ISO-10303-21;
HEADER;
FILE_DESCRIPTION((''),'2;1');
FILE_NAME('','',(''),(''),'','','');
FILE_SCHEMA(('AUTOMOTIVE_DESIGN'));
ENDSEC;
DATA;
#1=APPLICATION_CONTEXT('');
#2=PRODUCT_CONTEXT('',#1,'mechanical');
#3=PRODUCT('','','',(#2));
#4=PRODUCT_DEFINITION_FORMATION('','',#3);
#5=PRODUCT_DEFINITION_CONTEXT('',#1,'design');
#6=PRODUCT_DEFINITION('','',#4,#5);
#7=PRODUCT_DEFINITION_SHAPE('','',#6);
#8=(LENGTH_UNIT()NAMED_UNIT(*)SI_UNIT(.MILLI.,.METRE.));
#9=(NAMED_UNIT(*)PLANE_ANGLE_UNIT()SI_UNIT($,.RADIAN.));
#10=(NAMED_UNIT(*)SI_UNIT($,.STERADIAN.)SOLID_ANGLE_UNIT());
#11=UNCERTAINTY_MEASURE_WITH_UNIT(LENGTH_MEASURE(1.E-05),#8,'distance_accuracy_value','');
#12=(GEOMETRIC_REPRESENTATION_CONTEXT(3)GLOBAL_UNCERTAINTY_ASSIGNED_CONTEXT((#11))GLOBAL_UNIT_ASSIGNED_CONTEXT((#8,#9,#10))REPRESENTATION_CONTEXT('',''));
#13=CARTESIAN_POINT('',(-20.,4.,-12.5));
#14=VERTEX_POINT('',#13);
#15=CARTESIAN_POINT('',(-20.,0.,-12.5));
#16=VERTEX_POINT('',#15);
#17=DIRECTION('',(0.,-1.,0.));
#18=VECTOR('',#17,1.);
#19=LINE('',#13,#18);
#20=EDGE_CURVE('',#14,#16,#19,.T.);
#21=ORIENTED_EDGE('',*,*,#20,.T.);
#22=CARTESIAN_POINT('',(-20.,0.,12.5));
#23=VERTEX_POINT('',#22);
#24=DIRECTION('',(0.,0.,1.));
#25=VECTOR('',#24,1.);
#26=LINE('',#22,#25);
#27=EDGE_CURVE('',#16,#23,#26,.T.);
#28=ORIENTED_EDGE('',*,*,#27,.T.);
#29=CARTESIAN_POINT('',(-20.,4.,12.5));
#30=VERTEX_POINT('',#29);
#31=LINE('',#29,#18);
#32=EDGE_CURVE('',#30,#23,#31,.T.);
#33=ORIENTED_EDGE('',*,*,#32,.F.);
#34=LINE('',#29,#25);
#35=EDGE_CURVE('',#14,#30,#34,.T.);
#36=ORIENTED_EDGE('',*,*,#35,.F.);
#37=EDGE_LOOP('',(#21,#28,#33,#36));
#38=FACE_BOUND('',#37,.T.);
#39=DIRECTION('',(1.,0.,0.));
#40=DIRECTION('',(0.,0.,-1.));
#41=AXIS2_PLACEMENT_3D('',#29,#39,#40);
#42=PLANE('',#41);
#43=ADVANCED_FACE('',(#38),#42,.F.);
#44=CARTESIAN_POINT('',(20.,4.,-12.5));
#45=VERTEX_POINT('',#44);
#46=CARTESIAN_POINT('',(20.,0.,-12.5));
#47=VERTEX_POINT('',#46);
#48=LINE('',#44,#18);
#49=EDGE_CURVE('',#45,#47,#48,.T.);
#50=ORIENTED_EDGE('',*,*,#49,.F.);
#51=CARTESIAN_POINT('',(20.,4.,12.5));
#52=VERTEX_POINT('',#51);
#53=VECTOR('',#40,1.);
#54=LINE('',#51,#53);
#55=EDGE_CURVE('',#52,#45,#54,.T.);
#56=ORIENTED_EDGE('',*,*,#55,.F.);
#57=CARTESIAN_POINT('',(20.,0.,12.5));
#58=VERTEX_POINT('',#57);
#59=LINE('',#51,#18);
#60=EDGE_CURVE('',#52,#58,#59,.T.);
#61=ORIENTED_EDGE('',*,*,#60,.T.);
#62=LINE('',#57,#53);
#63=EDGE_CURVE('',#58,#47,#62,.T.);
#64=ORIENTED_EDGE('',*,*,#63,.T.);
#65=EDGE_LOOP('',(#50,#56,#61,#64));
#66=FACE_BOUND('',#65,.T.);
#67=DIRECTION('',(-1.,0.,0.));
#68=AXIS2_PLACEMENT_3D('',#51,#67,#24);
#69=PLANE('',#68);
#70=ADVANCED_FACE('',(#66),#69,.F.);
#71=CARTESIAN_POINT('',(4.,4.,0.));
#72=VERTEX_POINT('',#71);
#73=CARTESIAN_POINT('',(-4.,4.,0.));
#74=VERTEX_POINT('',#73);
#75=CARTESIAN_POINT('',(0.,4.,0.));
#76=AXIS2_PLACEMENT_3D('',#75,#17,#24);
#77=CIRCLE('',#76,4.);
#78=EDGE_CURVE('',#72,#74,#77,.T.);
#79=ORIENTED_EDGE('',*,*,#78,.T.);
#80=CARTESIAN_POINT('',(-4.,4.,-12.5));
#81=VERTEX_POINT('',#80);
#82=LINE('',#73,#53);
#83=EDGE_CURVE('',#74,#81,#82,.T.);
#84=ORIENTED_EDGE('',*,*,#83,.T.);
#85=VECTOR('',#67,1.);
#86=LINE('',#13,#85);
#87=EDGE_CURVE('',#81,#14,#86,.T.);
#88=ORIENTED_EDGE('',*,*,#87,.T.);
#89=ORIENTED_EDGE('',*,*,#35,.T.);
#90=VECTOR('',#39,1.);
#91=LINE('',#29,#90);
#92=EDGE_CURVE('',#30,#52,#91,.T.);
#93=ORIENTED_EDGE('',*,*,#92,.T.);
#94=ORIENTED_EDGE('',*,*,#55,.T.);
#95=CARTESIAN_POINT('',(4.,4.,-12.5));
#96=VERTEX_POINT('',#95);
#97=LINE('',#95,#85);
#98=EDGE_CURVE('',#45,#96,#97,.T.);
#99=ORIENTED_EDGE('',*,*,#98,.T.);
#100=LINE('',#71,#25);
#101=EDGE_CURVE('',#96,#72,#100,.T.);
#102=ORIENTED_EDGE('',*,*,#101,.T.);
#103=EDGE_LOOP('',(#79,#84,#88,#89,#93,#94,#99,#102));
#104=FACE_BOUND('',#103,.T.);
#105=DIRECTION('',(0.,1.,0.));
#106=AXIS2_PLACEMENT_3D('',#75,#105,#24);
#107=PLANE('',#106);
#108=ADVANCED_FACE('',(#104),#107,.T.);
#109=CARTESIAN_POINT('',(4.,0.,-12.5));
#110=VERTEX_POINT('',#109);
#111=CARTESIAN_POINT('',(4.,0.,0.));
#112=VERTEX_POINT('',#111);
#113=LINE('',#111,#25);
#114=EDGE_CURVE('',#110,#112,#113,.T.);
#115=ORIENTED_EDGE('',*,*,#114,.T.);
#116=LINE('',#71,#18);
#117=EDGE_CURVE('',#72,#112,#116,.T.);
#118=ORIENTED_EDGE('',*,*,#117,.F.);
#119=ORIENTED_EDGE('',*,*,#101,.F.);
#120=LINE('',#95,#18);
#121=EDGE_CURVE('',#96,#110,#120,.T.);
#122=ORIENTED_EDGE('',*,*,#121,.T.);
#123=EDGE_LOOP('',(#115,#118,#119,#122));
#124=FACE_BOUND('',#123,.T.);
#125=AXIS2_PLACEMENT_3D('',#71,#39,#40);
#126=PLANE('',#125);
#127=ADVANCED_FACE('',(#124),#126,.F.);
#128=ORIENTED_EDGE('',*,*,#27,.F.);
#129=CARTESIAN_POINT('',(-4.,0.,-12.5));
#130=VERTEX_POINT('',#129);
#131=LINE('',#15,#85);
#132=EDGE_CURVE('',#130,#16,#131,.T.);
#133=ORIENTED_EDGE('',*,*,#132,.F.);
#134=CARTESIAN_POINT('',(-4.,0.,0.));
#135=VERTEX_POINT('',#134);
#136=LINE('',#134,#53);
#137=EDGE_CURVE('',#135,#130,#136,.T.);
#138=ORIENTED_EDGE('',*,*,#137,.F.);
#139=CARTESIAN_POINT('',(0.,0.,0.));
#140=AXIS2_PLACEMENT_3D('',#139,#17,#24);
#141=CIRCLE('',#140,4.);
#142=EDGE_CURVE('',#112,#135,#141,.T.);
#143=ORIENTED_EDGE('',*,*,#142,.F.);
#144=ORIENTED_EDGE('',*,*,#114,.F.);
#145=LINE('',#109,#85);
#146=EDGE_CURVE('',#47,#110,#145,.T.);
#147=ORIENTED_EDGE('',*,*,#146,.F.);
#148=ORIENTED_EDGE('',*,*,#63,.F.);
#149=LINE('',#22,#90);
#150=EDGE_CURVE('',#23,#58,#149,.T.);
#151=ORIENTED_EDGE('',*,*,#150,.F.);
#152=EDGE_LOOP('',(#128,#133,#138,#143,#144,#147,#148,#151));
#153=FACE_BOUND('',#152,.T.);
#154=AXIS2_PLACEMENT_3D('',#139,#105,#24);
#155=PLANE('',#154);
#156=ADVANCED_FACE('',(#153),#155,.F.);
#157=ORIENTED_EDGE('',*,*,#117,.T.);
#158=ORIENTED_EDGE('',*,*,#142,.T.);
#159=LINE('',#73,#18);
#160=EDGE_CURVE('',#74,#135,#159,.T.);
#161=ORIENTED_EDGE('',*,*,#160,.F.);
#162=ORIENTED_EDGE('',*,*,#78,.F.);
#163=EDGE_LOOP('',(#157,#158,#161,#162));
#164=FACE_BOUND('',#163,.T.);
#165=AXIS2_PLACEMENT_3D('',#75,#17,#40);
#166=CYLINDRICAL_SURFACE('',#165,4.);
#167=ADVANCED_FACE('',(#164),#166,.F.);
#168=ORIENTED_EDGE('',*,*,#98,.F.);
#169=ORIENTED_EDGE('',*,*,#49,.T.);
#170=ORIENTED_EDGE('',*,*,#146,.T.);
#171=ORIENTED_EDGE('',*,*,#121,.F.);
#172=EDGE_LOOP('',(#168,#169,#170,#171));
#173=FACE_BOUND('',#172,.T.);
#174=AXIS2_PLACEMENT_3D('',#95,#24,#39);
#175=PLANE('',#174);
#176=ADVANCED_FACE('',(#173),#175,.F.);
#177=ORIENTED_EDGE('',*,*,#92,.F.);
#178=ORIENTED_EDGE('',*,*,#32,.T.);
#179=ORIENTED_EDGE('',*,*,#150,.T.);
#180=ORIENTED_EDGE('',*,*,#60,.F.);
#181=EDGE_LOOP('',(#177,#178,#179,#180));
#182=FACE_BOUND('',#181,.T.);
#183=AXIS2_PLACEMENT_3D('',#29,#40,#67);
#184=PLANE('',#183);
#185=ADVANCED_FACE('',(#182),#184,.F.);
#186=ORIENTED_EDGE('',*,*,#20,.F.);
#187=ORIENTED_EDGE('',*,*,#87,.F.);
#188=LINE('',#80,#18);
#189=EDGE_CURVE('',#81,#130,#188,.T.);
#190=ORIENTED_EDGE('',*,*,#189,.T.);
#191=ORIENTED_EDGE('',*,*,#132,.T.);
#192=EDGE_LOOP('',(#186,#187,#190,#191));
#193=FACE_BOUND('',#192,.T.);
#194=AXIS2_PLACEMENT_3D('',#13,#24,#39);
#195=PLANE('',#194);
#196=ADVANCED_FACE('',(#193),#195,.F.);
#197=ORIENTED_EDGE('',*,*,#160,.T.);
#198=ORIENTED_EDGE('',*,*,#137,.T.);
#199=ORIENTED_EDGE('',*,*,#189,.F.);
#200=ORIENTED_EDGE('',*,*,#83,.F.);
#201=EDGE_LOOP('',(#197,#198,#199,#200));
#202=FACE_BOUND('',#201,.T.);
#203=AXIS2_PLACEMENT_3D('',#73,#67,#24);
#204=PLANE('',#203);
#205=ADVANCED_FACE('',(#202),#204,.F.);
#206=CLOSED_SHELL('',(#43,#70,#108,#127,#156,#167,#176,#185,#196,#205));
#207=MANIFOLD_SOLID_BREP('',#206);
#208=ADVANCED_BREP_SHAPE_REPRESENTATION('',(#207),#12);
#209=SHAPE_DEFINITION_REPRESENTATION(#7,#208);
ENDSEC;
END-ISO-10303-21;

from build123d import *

# Parameters (mm, degrees)
BOSS_EXTRUDE1_DEPTH = 4


with BuildPart() as part:
    # Sketch1 → Boss-Extrude1 (new body)
    with BuildSketch(Plane(origin=(0, 0, 0), x_dir=(1, 0, 0), z_dir=(0, 1, 0))):
        with BuildLine():
            Line((-4, 0), (-4, 12.5))
            Line((-4, 12.5), (-20, 12.5))
            Line((-20, 12.5), (-20, -12.5))
            Line((-20, -12.5), (20, -12.5))
            Line((20, -12.5), (20, 12.5))
            Line((20, 12.5), (4, 12.5))
            Line((4, 12.5), (4, 0))
            ThreePointArc((4, 0), (0, -4), (-4, 0))
        make_face()
    extrude(amount=BOSS_EXTRUDE1_DEPTH)


solid = part.part
